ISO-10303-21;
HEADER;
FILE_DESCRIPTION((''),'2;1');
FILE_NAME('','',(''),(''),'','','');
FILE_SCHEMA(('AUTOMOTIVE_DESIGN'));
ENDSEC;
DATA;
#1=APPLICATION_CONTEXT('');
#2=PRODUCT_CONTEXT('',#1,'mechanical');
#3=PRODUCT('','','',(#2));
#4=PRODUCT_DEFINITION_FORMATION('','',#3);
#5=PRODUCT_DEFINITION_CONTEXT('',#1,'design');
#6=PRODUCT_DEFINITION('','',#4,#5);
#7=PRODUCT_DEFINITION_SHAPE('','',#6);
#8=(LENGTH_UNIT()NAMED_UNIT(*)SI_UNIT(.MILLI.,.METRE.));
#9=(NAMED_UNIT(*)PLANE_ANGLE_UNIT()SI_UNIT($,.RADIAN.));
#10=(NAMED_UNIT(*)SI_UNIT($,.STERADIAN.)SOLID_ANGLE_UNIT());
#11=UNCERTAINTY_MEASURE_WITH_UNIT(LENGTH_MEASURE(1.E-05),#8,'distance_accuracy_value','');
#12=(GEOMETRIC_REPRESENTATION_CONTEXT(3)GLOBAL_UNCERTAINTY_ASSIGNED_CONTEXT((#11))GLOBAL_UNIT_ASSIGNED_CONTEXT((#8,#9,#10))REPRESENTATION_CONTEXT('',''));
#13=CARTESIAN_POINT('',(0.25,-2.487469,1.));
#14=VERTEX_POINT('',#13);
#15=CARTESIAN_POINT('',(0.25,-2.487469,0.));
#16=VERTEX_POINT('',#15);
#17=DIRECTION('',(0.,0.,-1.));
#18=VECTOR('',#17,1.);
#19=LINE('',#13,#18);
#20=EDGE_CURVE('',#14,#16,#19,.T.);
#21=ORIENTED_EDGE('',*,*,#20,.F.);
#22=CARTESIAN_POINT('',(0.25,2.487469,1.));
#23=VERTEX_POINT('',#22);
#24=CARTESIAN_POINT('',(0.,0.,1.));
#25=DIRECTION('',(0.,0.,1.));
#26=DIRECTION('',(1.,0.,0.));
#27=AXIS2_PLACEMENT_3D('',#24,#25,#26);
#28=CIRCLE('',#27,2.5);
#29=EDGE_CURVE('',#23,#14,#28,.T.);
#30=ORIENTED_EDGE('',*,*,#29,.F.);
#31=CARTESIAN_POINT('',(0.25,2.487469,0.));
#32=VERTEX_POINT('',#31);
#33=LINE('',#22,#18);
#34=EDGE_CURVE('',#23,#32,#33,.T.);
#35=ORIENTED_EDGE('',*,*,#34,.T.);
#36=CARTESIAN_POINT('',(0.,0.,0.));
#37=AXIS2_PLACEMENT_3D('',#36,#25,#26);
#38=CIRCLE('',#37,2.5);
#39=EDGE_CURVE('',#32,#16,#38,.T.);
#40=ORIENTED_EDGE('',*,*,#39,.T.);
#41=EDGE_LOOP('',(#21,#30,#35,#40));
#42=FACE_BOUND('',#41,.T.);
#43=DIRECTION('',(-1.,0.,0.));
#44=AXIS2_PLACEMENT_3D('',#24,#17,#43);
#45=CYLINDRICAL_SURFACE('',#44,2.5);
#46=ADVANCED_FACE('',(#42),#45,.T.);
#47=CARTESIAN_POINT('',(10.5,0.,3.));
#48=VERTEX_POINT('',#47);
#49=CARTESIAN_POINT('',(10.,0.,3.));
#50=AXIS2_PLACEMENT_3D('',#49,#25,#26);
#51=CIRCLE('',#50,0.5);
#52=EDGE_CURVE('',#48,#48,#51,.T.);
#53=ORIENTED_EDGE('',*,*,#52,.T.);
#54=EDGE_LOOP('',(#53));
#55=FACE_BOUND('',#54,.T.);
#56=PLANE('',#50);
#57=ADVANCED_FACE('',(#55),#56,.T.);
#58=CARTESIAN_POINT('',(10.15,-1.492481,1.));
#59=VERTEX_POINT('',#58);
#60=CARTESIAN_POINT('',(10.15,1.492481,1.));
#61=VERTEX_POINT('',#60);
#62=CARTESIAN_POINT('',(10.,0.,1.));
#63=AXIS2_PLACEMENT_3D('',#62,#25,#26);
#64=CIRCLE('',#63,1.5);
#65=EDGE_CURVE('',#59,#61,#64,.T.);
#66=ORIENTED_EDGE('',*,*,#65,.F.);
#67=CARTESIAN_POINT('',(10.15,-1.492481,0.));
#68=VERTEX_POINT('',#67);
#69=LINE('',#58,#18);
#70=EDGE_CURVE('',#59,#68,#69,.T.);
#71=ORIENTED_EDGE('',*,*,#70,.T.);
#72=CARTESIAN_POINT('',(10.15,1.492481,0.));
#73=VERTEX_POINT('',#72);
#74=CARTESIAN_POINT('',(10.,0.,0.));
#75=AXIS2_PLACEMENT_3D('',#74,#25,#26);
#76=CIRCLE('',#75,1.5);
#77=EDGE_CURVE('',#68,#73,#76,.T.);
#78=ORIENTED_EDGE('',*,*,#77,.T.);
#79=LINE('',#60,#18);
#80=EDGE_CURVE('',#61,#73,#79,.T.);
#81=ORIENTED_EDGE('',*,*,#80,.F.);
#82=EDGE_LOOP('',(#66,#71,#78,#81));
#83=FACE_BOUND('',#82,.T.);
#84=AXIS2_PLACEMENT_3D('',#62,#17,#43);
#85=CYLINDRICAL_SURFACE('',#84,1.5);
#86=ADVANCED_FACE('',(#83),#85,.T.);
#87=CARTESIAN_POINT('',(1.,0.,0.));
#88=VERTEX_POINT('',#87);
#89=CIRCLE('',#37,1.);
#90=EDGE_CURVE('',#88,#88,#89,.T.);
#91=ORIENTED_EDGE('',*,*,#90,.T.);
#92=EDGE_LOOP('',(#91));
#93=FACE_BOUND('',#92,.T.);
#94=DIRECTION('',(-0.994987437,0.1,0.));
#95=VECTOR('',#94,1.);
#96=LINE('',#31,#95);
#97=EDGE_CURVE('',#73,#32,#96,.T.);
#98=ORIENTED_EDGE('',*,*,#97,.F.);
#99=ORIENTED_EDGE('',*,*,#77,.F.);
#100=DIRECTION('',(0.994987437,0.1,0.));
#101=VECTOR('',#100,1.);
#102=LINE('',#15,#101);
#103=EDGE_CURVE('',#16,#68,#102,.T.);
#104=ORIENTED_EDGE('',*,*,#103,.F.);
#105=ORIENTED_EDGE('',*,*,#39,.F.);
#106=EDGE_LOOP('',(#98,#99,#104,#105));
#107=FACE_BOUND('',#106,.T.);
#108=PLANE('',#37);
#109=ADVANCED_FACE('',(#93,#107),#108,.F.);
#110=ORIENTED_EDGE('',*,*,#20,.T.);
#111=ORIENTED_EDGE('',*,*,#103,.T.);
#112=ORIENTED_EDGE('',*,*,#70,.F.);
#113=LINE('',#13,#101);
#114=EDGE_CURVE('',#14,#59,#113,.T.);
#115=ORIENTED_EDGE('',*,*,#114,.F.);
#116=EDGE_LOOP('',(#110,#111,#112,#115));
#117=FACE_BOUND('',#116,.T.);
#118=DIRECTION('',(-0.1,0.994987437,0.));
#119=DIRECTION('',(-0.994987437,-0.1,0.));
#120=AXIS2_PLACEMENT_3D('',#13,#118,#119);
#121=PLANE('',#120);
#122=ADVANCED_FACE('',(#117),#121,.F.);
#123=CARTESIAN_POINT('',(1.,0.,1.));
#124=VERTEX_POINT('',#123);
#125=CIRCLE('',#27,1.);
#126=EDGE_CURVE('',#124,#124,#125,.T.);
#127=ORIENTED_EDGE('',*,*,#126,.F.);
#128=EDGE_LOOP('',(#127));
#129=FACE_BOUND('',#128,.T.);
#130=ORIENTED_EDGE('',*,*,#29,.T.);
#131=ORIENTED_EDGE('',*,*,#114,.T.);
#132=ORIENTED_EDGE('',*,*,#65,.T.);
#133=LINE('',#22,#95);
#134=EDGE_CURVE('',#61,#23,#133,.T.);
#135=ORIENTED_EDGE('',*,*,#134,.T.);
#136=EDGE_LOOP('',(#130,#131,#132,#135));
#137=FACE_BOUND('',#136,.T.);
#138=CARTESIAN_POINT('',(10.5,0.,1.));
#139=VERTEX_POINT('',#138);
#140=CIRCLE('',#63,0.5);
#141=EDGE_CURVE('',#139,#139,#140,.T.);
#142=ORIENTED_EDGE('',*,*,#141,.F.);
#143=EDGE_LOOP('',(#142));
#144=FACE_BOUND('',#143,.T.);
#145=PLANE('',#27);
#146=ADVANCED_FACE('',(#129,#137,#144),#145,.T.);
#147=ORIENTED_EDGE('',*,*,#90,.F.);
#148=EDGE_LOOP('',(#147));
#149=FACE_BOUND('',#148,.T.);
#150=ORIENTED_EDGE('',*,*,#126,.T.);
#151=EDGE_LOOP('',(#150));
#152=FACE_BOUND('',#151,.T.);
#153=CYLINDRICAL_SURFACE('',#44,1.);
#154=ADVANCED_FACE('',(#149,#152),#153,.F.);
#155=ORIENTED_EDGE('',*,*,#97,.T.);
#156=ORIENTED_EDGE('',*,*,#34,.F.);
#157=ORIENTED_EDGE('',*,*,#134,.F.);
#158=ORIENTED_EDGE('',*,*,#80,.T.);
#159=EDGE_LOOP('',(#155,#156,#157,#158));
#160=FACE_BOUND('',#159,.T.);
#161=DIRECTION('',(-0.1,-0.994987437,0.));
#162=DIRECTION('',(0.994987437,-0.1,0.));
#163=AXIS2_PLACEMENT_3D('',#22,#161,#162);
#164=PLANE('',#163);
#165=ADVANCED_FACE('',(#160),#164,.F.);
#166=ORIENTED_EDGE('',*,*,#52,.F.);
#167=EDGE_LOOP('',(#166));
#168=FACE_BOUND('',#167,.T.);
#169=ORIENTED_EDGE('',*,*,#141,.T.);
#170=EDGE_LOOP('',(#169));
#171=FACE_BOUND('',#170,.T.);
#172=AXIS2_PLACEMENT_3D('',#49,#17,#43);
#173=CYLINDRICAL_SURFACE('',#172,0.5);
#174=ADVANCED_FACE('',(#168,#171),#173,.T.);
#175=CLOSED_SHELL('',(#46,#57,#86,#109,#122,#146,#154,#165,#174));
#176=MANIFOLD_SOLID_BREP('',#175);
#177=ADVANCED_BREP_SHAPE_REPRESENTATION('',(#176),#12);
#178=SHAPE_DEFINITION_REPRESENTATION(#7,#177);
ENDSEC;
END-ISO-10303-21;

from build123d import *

# Parameters (mm, degrees)
SKETCH_1_R      = 1
EXTRUDE_1_DEPTH = 1
SKETCH_2_R      = 0.5
EXTRUDE_2_DEPTH = 2


with BuildPart() as part:
    # 草图1 → 凸台-拉伸1 (new body)
    with BuildSketch(Plane.XY):
        with BuildLine():
            Line((0.25, 2.487468593), (10.15, 1.492481156))
            ThreePointArc((10.15, 1.492481156), (11.5, 0), (10.15, -1.492481156))
            Line((10.15, -1.492481156), (0.25, -2.487468593))
            ThreePointArc((0.25, -2.487468593), (-2.5, 0), (0.25, 2.487468593))
        make_face()
        Circle(SKETCH_1_R, mode=Mode.SUBTRACT)
    extrude(amount=EXTRUDE_1_DEPTH)

    # 草图2 → 凸台-拉伸2 (add)
    with BuildSketch(Plane.XY.offset(1)):
        with Locations((10, 0)):
            Circle(SKETCH_2_R)
    extrude(amount=EXTRUDE_2_DEPTH)


solid = part.part
